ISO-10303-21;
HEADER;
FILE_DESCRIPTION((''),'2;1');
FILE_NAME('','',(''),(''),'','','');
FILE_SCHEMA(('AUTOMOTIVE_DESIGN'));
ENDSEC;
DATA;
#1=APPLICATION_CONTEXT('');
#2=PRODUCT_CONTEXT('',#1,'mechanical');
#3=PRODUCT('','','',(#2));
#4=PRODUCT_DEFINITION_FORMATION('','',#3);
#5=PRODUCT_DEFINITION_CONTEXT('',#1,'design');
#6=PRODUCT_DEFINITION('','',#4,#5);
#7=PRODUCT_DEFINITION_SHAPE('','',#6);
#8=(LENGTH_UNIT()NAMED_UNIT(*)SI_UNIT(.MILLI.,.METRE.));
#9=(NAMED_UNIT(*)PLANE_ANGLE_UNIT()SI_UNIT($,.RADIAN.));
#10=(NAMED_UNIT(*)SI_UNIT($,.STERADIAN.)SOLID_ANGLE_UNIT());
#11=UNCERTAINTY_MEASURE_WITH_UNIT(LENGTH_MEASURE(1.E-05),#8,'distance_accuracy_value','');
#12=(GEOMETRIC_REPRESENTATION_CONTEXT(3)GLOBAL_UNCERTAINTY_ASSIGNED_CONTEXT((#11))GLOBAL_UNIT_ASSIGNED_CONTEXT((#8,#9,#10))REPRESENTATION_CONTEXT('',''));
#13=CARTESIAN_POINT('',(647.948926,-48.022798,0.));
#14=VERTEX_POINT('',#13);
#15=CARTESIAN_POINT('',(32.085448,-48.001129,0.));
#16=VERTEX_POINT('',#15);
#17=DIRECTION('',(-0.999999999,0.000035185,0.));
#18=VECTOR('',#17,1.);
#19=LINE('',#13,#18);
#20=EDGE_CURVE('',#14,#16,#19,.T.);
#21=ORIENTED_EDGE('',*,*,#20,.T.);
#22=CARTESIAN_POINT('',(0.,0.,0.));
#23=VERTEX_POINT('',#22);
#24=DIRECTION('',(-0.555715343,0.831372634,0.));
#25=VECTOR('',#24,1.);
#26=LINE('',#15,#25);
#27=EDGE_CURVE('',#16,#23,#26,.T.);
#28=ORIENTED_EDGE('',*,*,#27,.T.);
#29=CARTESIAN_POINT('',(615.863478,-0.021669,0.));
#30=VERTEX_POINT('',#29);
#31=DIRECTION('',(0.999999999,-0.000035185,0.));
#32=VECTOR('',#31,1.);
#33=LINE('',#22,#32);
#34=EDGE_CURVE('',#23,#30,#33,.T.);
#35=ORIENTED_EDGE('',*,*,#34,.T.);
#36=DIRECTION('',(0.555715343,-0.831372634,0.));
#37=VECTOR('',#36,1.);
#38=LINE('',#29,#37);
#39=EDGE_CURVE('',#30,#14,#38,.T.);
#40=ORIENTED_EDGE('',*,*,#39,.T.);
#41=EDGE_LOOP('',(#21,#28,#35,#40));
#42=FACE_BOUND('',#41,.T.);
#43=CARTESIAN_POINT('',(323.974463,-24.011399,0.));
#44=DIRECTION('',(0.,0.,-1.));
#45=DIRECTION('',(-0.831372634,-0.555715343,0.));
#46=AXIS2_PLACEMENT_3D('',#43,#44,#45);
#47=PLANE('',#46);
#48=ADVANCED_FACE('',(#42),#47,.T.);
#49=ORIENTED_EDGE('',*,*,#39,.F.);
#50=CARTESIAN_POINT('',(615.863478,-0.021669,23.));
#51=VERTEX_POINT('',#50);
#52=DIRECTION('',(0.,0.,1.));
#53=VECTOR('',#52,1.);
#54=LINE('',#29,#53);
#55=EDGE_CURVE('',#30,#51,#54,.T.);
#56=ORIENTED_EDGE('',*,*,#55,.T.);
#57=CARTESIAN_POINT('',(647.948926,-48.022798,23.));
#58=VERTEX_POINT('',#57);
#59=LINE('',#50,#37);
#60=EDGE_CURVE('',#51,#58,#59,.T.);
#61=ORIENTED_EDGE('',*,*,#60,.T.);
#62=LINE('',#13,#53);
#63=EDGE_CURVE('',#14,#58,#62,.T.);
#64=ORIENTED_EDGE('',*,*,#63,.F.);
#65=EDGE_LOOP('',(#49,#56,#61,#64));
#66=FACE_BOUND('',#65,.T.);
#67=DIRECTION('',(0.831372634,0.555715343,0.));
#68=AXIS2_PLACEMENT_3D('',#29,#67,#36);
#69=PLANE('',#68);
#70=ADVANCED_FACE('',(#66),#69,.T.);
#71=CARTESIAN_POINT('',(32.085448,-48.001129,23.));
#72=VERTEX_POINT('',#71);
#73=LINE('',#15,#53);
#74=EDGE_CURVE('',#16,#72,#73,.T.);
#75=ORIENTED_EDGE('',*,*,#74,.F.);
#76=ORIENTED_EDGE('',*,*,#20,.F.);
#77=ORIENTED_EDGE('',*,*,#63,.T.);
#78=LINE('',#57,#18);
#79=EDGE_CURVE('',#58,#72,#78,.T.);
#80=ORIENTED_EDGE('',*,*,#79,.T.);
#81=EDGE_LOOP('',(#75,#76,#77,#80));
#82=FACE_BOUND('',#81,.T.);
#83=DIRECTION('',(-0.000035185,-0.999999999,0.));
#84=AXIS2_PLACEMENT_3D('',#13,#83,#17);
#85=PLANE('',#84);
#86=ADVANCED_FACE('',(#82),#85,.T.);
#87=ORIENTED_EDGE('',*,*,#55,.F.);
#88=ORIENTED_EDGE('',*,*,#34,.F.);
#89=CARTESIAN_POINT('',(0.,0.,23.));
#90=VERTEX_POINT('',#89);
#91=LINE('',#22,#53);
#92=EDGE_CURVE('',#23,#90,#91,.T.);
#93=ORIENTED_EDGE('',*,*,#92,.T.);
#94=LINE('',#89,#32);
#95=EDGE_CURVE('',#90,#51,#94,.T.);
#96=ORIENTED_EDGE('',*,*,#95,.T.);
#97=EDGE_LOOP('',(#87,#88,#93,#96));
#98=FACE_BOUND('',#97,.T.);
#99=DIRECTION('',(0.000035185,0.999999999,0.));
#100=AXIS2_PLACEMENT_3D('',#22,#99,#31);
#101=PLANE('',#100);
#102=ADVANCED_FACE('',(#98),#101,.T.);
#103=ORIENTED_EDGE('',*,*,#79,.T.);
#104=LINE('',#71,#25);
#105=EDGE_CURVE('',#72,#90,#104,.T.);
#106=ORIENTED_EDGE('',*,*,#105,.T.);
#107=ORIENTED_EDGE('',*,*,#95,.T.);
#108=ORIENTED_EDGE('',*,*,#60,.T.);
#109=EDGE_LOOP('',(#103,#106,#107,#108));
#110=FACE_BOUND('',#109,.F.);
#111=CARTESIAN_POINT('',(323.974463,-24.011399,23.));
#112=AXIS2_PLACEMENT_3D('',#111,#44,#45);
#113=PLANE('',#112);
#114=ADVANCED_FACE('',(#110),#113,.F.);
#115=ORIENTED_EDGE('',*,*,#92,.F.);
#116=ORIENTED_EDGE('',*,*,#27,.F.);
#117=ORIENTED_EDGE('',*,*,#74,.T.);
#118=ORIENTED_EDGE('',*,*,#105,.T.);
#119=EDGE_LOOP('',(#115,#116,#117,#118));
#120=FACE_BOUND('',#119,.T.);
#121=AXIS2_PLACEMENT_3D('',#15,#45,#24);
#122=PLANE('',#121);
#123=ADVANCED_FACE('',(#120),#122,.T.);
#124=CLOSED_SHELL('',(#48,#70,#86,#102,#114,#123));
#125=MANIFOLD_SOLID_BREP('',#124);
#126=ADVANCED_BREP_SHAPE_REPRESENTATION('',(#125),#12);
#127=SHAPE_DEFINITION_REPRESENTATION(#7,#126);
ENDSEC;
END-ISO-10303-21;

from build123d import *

# Parameters (mm, degrees)
EXTRUDE_DEPTH           = 23
EXTRUDE_PLACEMENT_ANGLE = 33.76


with BuildPart() as part:
    # Sketch → Extrude (new body)
    with BuildSketch(Plane.XY):
        Polygon((0, 0), (512, -342.262799), (512, -400), (0, -57.737201), align=None)
    extrude(amount=EXTRUDE_DEPTH)


with BuildPart() as part_1:
    # Extrude placement: moved
    add(part.part.rotate(Axis((0, 0, 0), (0, 0, 1)), EXTRUDE_PLACEMENT_ANGLE))


solid = part_1.part
